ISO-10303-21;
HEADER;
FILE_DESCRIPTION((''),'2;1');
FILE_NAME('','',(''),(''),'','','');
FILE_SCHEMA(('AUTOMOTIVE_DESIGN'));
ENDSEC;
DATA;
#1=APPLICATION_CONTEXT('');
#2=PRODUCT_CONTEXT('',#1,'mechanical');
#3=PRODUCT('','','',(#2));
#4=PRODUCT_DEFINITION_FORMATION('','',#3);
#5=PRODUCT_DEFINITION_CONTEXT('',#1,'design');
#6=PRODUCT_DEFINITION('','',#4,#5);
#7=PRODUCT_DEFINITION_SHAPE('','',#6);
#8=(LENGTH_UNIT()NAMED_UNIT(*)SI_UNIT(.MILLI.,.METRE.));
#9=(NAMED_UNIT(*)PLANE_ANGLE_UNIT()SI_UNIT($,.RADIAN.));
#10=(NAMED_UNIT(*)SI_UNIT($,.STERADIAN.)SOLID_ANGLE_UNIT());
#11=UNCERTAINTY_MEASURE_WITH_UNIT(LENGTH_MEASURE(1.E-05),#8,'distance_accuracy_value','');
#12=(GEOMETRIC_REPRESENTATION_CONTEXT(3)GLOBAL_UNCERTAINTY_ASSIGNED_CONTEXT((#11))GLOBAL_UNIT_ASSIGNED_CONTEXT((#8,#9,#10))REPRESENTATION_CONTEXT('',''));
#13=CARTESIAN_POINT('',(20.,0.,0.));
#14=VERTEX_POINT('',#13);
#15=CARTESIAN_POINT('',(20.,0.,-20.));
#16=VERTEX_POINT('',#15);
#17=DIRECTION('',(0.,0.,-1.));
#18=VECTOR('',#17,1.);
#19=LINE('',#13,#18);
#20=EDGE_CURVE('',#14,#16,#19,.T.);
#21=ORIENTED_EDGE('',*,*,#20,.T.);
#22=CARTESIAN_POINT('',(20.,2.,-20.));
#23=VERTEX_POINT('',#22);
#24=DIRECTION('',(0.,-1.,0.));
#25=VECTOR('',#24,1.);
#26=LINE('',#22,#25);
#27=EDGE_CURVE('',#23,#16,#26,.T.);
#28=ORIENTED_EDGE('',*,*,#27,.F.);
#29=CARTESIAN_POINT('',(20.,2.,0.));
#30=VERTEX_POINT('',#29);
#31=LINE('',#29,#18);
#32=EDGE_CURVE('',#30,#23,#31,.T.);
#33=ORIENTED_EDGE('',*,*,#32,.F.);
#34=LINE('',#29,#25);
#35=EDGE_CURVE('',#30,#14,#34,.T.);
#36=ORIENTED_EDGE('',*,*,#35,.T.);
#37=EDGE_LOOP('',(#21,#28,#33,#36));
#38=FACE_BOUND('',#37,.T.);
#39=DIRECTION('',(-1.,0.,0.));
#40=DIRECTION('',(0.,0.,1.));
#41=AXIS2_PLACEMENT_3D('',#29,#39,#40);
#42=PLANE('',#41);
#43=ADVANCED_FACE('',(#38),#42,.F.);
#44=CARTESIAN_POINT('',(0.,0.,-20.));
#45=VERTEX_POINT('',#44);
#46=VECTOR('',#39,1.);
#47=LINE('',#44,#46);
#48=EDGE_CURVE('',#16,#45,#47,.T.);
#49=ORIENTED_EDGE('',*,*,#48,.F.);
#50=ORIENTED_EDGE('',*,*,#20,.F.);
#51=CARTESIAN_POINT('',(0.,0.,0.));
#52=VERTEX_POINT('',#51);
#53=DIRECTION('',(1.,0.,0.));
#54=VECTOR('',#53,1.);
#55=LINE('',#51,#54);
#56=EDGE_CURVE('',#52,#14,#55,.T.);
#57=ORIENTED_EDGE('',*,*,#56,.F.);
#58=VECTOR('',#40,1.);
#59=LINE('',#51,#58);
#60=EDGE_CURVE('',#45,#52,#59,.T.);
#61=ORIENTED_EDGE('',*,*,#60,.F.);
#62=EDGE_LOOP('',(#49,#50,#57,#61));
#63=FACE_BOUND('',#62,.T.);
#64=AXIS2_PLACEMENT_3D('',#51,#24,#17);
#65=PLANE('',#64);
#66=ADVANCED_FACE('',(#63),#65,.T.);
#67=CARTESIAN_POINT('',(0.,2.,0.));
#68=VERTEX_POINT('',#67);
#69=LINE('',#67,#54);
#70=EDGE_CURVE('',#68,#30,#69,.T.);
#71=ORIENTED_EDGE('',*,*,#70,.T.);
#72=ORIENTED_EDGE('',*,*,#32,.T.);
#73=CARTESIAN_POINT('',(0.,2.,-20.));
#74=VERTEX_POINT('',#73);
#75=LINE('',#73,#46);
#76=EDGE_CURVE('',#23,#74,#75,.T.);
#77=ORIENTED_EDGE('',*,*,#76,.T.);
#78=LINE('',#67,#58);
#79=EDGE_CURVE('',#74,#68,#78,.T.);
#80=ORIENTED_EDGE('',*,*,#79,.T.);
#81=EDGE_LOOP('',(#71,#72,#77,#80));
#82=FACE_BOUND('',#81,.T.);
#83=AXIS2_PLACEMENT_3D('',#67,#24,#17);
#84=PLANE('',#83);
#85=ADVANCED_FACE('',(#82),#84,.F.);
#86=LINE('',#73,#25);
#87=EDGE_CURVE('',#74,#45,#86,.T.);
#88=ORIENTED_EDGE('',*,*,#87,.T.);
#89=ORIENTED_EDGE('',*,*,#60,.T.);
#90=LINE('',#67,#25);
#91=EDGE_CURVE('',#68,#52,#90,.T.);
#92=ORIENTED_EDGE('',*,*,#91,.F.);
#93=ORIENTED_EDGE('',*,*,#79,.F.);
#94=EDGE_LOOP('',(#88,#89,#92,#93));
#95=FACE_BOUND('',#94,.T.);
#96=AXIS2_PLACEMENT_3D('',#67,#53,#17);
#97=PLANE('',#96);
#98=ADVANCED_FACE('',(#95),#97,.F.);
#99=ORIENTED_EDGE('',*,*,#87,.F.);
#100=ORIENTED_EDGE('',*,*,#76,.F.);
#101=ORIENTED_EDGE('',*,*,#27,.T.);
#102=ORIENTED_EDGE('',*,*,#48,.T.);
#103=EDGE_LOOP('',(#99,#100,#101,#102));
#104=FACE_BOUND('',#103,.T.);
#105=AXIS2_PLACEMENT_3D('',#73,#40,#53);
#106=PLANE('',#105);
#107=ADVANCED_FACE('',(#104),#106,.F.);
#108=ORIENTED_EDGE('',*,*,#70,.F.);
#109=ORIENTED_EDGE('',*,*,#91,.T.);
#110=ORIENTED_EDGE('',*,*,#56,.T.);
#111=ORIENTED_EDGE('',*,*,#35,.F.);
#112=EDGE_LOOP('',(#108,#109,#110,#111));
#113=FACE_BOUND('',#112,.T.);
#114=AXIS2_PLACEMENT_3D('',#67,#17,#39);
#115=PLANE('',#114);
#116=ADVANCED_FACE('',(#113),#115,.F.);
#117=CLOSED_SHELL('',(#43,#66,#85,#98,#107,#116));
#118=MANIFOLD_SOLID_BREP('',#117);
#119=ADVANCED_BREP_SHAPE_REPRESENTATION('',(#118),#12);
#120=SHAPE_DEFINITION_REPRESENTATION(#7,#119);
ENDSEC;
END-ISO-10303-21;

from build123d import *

# Parameters (mm, degrees)
SKETCH_1_W      = 20
SKETCH_1_H      = 20
EXTRUDE_1_DEPTH = 2


with BuildPart() as part:
    # 草图1 → 凸台-拉伸1 (new body)
    with BuildSketch(Plane(origin=(0, 0, 0), x_dir=(1, 0, 0), z_dir=(0, 1, 0))):
        with Locations((10, 10)):
            Rectangle(SKETCH_1_W, SKETCH_1_H)
    extrude(amount=EXTRUDE_1_DEPTH)


solid = part.part
